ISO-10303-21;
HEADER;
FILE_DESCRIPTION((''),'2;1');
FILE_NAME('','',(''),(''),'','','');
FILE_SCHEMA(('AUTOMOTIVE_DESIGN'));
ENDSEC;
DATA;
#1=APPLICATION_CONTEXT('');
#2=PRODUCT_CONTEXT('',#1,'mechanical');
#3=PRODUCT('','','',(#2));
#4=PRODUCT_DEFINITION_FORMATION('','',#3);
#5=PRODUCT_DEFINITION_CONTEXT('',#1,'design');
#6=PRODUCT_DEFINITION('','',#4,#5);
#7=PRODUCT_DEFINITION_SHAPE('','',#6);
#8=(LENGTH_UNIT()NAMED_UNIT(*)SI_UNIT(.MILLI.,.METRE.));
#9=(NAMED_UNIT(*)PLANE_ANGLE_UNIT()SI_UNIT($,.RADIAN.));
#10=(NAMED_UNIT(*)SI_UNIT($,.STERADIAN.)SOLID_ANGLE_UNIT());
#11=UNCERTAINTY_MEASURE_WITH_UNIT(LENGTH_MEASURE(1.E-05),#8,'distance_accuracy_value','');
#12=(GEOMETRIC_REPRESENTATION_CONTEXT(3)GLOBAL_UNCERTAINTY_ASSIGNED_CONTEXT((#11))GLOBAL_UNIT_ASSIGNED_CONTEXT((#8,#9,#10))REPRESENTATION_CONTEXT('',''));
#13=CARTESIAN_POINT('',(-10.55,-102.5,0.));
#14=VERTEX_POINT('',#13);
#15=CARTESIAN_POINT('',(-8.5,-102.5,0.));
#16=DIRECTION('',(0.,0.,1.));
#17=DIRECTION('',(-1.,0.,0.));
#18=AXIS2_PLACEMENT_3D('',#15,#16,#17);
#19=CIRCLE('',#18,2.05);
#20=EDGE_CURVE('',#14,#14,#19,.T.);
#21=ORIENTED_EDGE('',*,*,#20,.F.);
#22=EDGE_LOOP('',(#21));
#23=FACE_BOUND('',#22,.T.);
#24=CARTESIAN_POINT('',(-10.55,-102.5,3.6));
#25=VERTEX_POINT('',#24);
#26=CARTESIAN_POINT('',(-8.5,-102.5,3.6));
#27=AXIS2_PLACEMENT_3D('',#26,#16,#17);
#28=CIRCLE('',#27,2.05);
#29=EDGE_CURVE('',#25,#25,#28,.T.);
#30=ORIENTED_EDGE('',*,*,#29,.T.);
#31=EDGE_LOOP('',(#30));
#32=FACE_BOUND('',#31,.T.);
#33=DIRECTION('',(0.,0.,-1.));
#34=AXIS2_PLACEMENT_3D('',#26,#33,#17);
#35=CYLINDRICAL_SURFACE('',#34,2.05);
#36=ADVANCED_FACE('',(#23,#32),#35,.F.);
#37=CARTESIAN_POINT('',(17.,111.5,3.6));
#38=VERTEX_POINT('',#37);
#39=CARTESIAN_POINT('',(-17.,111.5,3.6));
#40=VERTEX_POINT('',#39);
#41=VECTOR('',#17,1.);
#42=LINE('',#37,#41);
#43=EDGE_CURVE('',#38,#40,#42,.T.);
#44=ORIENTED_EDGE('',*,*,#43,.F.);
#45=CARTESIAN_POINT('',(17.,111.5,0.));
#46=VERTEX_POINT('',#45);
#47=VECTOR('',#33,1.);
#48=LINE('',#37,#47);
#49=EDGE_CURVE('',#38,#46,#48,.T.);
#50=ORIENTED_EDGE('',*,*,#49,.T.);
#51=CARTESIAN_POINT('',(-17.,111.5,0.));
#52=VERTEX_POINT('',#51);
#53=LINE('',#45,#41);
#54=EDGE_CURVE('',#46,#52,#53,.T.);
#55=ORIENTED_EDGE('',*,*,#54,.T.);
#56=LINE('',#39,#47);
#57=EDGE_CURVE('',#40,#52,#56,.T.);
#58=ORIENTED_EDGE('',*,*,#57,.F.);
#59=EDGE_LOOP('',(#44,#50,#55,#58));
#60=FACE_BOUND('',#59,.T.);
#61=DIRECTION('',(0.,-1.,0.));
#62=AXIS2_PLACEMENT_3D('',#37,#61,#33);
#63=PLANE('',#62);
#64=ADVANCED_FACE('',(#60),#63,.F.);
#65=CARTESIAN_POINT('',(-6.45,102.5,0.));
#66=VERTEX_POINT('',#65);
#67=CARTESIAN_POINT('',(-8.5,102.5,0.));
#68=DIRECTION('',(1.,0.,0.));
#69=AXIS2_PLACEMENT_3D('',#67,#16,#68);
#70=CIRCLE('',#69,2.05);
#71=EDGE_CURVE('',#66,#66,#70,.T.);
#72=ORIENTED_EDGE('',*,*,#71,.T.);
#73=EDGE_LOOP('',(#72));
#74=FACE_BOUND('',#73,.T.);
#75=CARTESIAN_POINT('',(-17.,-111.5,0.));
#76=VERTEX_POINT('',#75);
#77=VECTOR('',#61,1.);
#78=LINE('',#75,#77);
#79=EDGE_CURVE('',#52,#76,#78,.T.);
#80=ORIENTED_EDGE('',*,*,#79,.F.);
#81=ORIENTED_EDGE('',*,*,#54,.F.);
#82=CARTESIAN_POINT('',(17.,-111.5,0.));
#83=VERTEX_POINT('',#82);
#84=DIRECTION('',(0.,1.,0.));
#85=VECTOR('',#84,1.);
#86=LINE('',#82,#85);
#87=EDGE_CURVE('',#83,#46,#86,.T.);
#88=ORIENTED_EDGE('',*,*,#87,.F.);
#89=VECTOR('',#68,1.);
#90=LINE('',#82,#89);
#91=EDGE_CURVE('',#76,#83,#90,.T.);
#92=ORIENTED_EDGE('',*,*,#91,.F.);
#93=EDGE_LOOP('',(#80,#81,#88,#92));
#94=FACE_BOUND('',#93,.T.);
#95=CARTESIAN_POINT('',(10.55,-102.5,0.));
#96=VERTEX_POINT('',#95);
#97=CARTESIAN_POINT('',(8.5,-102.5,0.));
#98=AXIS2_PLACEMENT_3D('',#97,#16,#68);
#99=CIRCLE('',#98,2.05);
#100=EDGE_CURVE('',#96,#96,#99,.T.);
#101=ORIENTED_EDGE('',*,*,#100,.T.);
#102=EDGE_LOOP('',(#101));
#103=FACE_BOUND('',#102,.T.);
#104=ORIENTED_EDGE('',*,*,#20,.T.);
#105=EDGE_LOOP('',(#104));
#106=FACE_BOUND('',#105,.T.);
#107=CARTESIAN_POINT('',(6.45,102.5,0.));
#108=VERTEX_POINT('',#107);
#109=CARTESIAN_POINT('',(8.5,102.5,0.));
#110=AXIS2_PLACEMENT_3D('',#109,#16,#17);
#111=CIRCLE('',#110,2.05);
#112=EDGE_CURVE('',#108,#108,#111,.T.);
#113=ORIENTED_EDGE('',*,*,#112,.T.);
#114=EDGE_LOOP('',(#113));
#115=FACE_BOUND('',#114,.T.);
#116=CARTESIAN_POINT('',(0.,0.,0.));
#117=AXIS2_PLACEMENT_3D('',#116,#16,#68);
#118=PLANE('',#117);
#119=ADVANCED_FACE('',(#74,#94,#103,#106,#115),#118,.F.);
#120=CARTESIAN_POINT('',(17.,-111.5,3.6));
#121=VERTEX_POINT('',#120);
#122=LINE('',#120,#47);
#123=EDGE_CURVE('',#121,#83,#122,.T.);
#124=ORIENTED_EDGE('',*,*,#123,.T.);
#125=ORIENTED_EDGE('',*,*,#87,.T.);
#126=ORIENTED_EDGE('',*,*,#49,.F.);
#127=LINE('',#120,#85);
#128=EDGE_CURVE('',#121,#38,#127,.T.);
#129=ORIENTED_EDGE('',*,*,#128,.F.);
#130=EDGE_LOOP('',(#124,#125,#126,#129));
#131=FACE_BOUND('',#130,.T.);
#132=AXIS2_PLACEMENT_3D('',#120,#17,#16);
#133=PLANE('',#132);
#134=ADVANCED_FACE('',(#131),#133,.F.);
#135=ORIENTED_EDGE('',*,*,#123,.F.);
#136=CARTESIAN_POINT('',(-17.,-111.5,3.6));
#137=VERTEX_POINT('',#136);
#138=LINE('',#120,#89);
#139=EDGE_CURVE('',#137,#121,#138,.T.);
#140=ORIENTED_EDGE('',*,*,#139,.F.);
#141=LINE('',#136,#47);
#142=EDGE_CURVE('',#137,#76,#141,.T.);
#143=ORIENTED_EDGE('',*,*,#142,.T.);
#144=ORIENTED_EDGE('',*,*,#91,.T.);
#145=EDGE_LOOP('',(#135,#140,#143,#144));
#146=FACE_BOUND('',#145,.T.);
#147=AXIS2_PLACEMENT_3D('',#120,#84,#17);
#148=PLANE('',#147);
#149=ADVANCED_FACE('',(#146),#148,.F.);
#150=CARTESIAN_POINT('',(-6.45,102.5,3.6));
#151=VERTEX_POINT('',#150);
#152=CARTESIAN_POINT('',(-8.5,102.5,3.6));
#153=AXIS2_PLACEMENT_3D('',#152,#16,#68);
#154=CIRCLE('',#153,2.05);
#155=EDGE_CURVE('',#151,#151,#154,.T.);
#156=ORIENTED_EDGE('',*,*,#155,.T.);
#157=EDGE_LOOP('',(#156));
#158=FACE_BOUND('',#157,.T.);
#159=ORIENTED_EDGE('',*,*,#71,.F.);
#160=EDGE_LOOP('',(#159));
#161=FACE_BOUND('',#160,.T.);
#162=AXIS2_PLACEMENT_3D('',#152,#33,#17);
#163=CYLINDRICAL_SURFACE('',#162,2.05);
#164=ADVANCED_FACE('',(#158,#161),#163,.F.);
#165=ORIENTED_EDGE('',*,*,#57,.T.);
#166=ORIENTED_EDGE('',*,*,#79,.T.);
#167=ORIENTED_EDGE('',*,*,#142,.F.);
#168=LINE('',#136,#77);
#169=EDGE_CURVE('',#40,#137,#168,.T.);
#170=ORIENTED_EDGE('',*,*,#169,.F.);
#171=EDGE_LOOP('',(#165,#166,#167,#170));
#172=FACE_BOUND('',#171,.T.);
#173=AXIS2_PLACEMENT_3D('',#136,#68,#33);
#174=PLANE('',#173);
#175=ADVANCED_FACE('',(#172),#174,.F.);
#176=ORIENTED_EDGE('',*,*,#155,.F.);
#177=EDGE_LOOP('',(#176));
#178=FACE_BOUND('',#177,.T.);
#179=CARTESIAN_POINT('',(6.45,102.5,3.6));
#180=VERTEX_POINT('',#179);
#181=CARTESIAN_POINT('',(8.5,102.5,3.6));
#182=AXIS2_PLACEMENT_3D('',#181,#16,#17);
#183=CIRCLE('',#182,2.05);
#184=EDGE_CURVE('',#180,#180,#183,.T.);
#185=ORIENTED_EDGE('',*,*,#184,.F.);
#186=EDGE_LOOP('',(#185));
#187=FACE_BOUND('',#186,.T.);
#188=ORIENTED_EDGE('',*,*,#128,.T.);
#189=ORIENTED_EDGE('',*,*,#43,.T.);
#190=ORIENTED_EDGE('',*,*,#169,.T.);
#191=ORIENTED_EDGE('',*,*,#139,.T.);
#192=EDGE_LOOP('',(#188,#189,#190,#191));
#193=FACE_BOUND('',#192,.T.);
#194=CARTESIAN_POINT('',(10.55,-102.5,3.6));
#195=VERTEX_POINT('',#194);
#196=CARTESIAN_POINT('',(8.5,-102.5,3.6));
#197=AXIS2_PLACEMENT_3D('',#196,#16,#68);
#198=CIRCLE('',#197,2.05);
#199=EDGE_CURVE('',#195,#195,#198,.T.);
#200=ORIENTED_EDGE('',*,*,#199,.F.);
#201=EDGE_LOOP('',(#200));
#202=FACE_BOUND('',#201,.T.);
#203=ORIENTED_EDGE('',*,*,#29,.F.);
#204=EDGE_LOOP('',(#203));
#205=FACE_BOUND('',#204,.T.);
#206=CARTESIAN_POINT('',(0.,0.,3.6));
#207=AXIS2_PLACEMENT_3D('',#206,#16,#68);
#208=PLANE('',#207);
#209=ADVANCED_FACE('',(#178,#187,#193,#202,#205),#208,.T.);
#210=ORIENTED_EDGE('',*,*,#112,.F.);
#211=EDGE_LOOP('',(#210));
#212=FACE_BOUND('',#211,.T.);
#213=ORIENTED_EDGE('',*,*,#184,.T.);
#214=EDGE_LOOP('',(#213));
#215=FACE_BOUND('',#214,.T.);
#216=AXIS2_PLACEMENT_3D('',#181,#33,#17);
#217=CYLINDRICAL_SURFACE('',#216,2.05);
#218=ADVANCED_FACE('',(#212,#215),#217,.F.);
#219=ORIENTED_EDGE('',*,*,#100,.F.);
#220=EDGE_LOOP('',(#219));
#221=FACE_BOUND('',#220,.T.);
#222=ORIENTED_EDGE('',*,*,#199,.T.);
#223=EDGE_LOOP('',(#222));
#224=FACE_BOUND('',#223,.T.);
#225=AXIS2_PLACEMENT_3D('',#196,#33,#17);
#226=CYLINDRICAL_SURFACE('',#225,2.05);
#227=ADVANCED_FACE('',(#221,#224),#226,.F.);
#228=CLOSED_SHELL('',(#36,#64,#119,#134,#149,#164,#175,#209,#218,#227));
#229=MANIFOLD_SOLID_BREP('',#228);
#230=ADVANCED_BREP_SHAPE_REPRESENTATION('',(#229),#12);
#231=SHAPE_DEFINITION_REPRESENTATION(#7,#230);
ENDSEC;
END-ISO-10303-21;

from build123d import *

# Parameters (mm, degrees)
ESQUISSE1_W        = 34
ESQUISSE1_H        = 223
ESQUISSE1_R        = 2.05
BOSS_EXTRU_1_DEPTH = 3.6


with BuildPart() as part:
    # Esquisse1 → Boss.-Extru.1 (new body)
    with BuildSketch(Plane.XY):
        Rectangle(ESQUISSE1_W, ESQUISSE1_H)
        with Locations((-8.5, 102.5)):
            Circle(ESQUISSE1_R, mode=Mode.SUBTRACT)
        with Locations(Location((-8.5, -102.5, 0), (0, 0, 180))):
            Circle(ESQUISSE1_R, mode=Mode.SUBTRACT)
        with Locations((8.5, -102.5)):
            Circle(ESQUISSE1_R, mode=Mode.SUBTRACT)
        with Locations(Location((8.5, 102.5, 0), (0, 0, 180))):
            Circle(ESQUISSE1_R, mode=Mode.SUBTRACT)
    extrude(amount=BOSS_EXTRU_1_DEPTH)


solid = part.part
